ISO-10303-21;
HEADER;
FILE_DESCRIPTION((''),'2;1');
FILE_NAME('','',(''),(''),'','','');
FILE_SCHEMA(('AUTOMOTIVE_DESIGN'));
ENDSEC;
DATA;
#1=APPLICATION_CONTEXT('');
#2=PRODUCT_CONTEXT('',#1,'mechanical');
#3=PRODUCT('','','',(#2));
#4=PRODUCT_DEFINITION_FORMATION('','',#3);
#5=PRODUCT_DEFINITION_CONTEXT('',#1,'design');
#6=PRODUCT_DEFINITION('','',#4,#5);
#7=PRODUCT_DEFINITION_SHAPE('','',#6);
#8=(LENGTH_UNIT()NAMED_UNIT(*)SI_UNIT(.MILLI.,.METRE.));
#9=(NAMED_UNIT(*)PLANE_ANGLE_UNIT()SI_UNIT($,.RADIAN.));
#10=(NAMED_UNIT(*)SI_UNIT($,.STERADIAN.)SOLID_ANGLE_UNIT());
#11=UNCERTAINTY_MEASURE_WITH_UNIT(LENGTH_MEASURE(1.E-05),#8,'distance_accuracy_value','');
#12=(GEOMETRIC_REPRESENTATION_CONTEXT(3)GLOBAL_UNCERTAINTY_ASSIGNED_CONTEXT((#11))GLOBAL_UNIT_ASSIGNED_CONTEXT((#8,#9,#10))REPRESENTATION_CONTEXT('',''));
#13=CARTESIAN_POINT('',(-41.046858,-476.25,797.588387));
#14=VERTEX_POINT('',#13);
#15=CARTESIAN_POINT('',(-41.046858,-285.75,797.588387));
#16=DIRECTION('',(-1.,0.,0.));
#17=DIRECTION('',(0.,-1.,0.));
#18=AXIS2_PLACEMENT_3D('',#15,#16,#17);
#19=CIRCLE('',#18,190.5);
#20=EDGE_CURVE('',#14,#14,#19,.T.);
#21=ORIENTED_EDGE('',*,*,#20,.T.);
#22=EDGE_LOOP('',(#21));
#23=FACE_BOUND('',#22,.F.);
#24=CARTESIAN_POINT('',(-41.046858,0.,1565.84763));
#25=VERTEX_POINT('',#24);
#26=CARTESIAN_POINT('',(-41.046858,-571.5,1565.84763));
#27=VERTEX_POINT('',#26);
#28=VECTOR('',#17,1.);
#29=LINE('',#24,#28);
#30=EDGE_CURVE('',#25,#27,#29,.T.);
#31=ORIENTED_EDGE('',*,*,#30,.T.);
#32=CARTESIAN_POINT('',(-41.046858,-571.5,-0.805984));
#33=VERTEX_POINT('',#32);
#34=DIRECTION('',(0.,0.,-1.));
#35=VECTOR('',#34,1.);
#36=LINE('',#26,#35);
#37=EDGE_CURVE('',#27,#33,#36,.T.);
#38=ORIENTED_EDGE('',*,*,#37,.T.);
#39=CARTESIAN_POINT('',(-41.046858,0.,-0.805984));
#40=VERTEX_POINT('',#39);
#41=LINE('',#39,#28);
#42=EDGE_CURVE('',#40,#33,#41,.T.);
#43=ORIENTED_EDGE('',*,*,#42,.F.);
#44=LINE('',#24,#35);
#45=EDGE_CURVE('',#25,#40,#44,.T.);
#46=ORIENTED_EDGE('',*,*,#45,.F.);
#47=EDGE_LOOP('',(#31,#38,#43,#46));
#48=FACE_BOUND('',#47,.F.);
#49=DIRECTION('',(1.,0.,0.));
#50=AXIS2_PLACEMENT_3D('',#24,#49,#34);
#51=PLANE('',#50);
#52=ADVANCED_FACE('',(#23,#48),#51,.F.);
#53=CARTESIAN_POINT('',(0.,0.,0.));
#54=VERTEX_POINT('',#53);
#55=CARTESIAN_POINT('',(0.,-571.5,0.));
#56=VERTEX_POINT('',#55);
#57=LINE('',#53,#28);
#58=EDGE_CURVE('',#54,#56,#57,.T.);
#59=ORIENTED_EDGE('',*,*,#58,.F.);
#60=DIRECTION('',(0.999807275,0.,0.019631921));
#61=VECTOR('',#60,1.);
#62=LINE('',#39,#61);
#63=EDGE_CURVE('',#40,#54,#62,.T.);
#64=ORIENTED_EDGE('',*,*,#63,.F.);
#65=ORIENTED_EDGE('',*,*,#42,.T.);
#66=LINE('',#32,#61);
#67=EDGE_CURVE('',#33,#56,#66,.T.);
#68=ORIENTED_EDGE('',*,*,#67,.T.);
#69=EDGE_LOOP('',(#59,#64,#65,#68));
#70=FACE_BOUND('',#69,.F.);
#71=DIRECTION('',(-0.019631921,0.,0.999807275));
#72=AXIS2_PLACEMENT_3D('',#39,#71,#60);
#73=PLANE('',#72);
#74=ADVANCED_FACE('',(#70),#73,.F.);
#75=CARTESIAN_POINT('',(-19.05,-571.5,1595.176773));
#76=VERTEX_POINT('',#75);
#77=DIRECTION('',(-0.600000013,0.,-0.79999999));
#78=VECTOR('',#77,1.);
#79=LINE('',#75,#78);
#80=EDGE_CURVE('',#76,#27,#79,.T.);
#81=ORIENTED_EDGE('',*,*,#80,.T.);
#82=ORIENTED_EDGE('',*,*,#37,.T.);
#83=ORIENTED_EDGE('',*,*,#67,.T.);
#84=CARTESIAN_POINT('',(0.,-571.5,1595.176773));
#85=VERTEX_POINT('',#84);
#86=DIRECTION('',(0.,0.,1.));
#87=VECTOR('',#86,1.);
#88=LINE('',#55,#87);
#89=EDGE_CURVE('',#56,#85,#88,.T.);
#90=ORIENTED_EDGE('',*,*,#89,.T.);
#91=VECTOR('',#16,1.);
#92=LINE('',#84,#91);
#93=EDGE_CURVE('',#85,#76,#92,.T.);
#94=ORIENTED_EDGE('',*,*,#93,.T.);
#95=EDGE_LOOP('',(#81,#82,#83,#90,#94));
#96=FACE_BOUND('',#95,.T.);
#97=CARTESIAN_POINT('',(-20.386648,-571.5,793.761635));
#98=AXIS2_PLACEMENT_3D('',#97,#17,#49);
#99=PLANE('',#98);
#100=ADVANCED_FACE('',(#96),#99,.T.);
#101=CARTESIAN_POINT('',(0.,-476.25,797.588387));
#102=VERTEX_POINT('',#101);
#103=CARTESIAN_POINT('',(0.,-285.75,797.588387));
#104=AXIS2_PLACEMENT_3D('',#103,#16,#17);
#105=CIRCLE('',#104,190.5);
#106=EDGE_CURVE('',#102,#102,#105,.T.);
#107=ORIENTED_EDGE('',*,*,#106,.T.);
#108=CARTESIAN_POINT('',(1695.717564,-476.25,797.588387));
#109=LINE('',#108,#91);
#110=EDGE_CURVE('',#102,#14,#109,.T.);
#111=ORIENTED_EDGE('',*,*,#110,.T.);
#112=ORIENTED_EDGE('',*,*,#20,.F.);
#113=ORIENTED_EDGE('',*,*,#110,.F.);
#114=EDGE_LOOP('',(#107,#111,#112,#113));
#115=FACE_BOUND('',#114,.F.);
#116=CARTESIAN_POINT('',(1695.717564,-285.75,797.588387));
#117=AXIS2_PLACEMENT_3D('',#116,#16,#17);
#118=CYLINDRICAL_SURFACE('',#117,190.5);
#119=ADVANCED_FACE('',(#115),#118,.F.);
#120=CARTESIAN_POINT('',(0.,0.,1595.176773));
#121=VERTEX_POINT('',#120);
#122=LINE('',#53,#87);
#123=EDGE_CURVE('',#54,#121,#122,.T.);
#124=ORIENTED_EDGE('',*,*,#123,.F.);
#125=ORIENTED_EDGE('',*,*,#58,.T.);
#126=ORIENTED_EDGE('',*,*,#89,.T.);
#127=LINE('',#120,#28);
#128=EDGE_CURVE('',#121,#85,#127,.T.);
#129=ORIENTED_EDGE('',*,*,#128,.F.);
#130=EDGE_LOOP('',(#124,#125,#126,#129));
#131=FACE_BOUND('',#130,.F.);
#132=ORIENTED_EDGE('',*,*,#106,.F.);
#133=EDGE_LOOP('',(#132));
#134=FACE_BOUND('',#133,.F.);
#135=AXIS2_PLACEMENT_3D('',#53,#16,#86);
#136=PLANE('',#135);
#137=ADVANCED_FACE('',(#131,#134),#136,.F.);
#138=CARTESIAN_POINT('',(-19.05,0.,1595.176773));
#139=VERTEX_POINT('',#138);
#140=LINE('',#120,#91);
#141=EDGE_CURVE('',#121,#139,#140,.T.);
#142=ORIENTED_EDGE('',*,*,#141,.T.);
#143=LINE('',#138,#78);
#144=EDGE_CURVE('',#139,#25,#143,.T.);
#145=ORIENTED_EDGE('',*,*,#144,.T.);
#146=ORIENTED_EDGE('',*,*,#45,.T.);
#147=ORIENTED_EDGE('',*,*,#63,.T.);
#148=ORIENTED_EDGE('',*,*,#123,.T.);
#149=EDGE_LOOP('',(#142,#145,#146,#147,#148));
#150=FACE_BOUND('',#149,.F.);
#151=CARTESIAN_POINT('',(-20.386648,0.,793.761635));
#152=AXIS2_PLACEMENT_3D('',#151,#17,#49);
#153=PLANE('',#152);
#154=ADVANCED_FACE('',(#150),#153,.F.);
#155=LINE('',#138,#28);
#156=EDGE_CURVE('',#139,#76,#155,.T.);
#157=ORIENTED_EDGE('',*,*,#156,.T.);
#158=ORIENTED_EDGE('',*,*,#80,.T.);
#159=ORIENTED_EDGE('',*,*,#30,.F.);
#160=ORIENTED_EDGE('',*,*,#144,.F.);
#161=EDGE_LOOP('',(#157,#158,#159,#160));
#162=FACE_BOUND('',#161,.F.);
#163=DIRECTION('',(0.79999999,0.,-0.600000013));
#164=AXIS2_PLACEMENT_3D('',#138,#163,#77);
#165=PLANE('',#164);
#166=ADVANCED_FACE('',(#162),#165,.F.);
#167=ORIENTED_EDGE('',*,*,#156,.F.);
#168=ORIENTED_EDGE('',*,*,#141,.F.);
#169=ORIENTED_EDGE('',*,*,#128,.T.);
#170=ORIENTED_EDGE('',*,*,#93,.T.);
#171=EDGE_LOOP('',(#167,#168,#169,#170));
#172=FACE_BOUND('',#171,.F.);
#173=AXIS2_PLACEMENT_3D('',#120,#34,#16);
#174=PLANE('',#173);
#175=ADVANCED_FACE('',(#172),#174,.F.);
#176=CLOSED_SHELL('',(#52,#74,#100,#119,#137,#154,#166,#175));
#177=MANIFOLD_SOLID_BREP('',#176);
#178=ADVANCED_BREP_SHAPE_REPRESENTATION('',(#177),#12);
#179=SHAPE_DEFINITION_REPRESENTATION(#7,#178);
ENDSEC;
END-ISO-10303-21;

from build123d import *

# Parameters (mm, degrees)
F1_DEPTH = 571.5
F3_D     = 381


with BuildPart() as f1:
    # F0 (on Front) → F1 (new body)
    with BuildSketch(Plane.XZ):
        Polygon((-41.046858, -0.805984), (0, 0), (0, 1595.176773), (-19.05, 1595.176773), (-41.046858, 1565.84763), align=None)
    extrude(amount=F1_DEPTH)

    # F3 (through all)
    with Locations(Plane.YZ):
        with Locations((-285.75, 797.588387)):
            Hole(F3_D / 2)


solid = f1.part
